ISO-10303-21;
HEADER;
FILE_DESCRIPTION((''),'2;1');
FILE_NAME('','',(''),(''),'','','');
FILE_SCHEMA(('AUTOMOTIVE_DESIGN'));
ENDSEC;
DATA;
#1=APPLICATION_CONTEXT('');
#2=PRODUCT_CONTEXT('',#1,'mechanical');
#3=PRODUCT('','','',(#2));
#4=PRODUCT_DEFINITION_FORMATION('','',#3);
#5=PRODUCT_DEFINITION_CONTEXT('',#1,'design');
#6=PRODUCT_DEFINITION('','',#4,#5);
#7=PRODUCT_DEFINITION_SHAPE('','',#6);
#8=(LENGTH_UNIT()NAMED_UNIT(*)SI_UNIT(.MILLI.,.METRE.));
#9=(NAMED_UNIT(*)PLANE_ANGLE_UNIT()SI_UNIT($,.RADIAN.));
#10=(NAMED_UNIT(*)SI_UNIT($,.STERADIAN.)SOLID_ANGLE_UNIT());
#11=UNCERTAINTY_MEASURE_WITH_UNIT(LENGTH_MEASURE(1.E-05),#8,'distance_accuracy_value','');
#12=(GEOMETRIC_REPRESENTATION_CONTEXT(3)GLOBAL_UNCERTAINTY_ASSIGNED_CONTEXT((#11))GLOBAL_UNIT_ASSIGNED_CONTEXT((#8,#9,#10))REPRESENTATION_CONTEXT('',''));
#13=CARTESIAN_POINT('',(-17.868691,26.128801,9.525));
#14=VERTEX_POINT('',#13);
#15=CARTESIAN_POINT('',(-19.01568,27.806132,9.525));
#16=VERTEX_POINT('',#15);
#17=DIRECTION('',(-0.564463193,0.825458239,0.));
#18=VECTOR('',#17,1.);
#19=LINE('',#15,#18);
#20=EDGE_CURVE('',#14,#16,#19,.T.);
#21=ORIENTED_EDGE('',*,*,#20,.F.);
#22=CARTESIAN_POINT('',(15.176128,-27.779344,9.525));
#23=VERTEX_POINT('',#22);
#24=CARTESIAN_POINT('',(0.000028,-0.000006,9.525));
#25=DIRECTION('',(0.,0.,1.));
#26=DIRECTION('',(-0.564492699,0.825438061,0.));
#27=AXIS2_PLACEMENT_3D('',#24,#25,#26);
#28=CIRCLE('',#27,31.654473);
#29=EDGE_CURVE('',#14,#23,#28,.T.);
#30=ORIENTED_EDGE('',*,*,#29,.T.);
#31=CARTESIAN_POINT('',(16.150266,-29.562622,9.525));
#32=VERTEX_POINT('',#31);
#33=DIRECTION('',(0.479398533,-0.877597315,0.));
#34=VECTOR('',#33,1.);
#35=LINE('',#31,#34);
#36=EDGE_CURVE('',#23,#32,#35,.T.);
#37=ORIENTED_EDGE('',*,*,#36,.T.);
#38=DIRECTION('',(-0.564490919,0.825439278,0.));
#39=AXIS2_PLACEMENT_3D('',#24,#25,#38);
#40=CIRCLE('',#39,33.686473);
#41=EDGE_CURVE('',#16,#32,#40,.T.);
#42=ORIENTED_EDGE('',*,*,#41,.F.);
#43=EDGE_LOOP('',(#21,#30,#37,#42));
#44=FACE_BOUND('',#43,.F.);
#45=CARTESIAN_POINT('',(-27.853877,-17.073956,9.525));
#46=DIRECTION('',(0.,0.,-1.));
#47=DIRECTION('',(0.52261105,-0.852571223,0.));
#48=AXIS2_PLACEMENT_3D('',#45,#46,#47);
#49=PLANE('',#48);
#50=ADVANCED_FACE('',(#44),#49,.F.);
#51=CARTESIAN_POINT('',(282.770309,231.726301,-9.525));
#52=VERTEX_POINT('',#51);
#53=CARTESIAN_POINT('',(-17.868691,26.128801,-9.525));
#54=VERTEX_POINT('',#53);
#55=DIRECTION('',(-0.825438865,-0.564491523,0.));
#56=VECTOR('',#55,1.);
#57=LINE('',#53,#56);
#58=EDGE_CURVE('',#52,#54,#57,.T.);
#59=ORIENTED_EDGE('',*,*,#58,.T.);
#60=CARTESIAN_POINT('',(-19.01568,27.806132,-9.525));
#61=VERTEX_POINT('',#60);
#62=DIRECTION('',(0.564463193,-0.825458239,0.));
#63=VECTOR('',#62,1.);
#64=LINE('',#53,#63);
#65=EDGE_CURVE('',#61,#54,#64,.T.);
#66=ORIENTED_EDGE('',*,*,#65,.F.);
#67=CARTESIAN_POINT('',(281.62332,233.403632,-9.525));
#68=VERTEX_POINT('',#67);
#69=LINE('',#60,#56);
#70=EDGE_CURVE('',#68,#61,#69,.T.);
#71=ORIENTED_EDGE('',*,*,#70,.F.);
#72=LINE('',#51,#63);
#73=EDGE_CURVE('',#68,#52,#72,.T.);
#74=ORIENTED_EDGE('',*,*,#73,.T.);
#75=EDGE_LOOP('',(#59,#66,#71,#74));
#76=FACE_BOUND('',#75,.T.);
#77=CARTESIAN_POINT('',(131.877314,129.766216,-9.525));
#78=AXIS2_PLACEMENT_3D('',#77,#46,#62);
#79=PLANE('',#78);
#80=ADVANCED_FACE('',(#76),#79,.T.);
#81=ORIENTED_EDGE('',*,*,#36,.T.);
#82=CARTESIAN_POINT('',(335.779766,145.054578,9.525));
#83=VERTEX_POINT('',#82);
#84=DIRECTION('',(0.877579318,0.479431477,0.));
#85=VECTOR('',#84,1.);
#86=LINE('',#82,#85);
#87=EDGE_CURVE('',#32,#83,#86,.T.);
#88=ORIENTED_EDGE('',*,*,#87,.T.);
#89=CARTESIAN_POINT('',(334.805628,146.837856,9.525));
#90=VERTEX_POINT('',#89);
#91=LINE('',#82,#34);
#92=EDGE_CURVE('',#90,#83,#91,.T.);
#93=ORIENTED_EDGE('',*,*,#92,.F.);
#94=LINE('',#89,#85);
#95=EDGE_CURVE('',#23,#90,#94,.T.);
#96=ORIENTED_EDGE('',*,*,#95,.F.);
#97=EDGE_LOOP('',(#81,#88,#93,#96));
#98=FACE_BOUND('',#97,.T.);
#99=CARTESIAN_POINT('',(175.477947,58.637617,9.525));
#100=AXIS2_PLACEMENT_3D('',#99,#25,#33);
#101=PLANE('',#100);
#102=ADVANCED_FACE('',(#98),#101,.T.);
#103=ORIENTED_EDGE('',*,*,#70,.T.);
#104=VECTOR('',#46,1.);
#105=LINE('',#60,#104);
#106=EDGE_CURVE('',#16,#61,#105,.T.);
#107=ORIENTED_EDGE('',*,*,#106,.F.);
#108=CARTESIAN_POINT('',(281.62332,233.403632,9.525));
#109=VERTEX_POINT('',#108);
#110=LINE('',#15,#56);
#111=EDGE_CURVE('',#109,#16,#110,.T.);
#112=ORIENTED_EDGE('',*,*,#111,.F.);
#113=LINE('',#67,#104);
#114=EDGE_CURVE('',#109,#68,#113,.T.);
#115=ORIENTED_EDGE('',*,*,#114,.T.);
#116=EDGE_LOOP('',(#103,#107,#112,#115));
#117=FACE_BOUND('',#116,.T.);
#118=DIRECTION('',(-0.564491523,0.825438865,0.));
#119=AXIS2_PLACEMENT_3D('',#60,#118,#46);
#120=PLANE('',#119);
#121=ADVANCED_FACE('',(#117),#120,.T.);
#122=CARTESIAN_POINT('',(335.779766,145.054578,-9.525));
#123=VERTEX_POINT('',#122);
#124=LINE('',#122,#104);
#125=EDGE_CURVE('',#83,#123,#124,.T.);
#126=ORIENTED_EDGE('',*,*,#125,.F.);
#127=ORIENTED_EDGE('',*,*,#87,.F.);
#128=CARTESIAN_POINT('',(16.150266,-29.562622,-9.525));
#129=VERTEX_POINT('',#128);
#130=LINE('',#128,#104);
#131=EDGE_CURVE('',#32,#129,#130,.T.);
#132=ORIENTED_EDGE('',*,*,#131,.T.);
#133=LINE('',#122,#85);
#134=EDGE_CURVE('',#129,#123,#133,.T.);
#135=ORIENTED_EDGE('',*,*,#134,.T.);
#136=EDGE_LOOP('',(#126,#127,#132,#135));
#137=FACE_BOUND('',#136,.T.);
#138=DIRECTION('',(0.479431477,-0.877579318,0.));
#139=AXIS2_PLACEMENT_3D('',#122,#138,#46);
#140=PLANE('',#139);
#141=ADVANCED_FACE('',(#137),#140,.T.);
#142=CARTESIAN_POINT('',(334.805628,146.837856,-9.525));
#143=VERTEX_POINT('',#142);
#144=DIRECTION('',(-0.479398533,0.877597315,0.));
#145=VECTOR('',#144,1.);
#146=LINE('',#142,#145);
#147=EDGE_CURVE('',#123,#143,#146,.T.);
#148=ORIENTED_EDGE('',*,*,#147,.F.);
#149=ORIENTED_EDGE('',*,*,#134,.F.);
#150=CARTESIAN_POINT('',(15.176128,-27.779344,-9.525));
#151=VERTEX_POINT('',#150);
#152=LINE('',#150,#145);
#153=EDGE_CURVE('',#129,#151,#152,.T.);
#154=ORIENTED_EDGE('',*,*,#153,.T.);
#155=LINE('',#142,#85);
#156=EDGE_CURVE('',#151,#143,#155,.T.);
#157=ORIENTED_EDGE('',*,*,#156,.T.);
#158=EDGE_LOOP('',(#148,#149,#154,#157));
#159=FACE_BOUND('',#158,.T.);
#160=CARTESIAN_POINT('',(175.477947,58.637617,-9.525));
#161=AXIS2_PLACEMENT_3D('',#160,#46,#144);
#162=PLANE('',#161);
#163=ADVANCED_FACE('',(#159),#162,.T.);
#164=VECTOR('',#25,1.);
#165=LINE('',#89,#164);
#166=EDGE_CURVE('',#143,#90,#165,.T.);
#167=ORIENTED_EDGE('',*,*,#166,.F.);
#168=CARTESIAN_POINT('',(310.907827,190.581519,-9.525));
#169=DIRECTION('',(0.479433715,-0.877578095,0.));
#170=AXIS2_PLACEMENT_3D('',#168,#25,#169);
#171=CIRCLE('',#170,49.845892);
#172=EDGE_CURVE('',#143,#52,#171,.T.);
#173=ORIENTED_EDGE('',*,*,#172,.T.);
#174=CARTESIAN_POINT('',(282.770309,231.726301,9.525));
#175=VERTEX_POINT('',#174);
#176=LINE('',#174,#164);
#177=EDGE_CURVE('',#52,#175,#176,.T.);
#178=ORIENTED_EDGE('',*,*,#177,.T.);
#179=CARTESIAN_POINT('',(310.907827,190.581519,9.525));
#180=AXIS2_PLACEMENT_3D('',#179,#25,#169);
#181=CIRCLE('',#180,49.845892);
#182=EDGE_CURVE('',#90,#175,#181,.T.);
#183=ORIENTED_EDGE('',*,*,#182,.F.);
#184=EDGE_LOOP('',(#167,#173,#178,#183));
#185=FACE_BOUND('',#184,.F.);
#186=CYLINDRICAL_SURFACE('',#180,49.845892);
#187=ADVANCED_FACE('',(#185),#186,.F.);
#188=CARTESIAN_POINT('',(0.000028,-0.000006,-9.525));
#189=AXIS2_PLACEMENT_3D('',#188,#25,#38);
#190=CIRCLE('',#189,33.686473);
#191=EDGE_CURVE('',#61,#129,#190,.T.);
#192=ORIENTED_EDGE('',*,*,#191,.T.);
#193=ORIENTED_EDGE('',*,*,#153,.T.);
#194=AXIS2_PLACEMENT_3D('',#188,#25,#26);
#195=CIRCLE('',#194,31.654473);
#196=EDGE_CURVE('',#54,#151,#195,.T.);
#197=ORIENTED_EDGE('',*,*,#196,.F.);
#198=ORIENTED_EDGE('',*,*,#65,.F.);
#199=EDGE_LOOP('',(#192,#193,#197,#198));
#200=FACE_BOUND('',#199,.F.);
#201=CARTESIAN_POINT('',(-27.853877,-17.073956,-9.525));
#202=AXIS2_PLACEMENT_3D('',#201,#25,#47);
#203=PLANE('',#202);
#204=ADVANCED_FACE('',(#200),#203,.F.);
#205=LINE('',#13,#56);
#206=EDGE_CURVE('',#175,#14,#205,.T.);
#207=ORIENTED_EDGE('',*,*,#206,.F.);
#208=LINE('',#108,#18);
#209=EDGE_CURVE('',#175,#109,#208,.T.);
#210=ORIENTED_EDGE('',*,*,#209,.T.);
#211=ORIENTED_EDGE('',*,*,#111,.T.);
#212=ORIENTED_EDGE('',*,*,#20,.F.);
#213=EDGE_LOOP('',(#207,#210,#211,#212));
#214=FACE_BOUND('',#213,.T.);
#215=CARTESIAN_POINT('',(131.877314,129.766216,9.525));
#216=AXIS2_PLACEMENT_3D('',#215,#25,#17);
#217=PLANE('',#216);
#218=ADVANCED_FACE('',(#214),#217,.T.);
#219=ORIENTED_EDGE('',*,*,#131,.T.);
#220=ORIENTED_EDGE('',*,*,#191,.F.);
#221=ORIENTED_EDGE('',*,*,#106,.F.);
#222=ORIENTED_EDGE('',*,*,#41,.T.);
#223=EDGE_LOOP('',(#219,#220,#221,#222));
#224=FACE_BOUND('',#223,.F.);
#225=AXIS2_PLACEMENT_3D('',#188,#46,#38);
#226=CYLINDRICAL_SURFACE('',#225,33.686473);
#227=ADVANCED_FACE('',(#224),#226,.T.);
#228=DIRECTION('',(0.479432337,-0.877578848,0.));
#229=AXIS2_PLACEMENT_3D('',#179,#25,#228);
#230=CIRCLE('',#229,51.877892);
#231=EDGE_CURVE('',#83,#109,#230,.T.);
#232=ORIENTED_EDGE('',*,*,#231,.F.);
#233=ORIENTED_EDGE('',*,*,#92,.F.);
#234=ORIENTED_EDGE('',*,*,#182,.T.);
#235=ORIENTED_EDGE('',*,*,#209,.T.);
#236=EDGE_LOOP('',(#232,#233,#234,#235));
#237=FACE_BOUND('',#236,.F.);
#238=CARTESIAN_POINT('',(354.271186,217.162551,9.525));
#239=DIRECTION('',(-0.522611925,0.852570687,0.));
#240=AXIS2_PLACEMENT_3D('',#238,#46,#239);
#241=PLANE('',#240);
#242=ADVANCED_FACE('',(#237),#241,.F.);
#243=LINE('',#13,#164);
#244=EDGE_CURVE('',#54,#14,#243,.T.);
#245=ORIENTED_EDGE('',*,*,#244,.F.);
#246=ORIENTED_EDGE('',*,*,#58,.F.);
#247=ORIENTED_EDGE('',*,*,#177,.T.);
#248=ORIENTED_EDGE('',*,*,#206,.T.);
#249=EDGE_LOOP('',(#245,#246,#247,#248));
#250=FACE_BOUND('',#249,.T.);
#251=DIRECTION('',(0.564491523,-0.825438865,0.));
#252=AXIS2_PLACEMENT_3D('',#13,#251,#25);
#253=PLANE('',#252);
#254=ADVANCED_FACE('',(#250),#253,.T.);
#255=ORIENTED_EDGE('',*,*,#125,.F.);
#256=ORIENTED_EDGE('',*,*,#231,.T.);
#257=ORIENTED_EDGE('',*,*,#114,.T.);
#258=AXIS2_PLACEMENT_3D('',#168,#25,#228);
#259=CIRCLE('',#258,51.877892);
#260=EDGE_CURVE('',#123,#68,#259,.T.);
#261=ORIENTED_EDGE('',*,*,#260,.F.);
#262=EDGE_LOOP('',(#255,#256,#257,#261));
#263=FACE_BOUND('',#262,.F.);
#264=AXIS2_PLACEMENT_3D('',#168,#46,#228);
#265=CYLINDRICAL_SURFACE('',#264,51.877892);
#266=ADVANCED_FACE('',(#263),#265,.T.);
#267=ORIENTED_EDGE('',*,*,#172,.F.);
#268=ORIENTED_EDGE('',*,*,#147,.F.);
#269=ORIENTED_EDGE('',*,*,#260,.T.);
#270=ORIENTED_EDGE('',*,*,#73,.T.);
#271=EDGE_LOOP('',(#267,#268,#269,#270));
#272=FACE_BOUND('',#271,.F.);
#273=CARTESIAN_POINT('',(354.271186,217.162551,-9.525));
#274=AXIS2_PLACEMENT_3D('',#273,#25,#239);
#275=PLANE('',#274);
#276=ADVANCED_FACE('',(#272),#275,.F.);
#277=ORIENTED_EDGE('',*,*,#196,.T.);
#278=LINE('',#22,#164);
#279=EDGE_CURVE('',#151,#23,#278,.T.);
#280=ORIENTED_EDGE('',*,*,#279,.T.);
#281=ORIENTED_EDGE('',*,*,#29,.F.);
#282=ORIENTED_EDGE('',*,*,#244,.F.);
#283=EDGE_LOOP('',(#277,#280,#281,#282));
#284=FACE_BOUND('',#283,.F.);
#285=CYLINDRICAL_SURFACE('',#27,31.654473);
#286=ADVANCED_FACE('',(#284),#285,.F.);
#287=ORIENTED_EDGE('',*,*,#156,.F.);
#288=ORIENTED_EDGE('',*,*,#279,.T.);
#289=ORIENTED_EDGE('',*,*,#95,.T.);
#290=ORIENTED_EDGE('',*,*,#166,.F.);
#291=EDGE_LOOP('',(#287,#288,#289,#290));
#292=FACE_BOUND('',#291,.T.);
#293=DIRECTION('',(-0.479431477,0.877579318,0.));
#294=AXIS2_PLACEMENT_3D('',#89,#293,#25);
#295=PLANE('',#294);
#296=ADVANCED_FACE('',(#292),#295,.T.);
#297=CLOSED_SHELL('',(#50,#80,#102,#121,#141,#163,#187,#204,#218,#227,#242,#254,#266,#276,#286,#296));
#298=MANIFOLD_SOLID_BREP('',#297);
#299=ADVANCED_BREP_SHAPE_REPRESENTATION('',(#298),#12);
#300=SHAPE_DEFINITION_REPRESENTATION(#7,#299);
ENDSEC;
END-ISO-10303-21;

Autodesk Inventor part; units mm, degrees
sketch "Эскизная траектория" plane through (0, 0, 0) normal (0, 0, 1) x (1, 0, 0)
  arc A0 (-18.2558, 26.6949) -> (15.5049, -28.3812) centre (0, 0) ccw
  arc A1 (335.1344, 146.236) -> (282.3832, 232.2924) centre (310.9079, 190.5815) ccw
  line L0 (335.1344, 146.236) -> (15.5049, -28.3812)
  line L1 (-18.2558, 26.6949) -> (282.3832, 232.2924)
ref_plane "Плоскость сечения" through (15.5049, -28.3812, 0) normal (0.8776, 0.4794, 0) x (0, 0, 1)
ref_plane "РабПлоскость2" through (0, 0, 0) normal (-1, 0, 0) x (0, 0, 1)
ref_plane "РабПлоскость3" through (310.9079, 190.5815, 0) normal (-0.9262, -0.3769, 0) x (0, 0, 1)
sketch "Сечение" plane through (15.5049, -28.3812, 0) normal (0.8776, 0.4794, 0) x (0, 0, 1)
  line L0 (-9.525, 1.3462) -> (9.525, 1.3462)
  line L1 (9.525, 1.3462) -> (9.525, -0.6858)
  line L2 (9.525, -0.6858) -> (-9.525, -0.6858)
  line L3 (-9.525, -0.6858) -> (-9.525, 1.3462)
  line L4 (-9.525, 0) -> (9.525, 0) construction
  point P0 (0, 0)
  point P1 (0, 0)
  dimension "d0" = 19.05
  dimension "d4" = 0.6858
  dimension "d5" = 1.3462
sweep "Ремень" add profiles "Сечение" path "Эскизная траектория"
equation "\"d0\" = da_B"
equation "\"d4\" = da_a"
equation "\"d5\" = da_a2"
equation "\"da_B\" = 19.05"
equation "\"da_pb\" = 12.7"
equation "\"da_L\" = 990.6"
equation "\"da_a\" = 0.6858"
equation "\"da_S\" = 6.1214"
equation "\"da_Beta\" = 20deg"
equation "\"da_Ht\" = 2.286"
equation "\"da_H\" = 4.318"
equation "\"da_a2\" = 1.3462"
properties part number "Зубчатый ремень" material "Rubber"
